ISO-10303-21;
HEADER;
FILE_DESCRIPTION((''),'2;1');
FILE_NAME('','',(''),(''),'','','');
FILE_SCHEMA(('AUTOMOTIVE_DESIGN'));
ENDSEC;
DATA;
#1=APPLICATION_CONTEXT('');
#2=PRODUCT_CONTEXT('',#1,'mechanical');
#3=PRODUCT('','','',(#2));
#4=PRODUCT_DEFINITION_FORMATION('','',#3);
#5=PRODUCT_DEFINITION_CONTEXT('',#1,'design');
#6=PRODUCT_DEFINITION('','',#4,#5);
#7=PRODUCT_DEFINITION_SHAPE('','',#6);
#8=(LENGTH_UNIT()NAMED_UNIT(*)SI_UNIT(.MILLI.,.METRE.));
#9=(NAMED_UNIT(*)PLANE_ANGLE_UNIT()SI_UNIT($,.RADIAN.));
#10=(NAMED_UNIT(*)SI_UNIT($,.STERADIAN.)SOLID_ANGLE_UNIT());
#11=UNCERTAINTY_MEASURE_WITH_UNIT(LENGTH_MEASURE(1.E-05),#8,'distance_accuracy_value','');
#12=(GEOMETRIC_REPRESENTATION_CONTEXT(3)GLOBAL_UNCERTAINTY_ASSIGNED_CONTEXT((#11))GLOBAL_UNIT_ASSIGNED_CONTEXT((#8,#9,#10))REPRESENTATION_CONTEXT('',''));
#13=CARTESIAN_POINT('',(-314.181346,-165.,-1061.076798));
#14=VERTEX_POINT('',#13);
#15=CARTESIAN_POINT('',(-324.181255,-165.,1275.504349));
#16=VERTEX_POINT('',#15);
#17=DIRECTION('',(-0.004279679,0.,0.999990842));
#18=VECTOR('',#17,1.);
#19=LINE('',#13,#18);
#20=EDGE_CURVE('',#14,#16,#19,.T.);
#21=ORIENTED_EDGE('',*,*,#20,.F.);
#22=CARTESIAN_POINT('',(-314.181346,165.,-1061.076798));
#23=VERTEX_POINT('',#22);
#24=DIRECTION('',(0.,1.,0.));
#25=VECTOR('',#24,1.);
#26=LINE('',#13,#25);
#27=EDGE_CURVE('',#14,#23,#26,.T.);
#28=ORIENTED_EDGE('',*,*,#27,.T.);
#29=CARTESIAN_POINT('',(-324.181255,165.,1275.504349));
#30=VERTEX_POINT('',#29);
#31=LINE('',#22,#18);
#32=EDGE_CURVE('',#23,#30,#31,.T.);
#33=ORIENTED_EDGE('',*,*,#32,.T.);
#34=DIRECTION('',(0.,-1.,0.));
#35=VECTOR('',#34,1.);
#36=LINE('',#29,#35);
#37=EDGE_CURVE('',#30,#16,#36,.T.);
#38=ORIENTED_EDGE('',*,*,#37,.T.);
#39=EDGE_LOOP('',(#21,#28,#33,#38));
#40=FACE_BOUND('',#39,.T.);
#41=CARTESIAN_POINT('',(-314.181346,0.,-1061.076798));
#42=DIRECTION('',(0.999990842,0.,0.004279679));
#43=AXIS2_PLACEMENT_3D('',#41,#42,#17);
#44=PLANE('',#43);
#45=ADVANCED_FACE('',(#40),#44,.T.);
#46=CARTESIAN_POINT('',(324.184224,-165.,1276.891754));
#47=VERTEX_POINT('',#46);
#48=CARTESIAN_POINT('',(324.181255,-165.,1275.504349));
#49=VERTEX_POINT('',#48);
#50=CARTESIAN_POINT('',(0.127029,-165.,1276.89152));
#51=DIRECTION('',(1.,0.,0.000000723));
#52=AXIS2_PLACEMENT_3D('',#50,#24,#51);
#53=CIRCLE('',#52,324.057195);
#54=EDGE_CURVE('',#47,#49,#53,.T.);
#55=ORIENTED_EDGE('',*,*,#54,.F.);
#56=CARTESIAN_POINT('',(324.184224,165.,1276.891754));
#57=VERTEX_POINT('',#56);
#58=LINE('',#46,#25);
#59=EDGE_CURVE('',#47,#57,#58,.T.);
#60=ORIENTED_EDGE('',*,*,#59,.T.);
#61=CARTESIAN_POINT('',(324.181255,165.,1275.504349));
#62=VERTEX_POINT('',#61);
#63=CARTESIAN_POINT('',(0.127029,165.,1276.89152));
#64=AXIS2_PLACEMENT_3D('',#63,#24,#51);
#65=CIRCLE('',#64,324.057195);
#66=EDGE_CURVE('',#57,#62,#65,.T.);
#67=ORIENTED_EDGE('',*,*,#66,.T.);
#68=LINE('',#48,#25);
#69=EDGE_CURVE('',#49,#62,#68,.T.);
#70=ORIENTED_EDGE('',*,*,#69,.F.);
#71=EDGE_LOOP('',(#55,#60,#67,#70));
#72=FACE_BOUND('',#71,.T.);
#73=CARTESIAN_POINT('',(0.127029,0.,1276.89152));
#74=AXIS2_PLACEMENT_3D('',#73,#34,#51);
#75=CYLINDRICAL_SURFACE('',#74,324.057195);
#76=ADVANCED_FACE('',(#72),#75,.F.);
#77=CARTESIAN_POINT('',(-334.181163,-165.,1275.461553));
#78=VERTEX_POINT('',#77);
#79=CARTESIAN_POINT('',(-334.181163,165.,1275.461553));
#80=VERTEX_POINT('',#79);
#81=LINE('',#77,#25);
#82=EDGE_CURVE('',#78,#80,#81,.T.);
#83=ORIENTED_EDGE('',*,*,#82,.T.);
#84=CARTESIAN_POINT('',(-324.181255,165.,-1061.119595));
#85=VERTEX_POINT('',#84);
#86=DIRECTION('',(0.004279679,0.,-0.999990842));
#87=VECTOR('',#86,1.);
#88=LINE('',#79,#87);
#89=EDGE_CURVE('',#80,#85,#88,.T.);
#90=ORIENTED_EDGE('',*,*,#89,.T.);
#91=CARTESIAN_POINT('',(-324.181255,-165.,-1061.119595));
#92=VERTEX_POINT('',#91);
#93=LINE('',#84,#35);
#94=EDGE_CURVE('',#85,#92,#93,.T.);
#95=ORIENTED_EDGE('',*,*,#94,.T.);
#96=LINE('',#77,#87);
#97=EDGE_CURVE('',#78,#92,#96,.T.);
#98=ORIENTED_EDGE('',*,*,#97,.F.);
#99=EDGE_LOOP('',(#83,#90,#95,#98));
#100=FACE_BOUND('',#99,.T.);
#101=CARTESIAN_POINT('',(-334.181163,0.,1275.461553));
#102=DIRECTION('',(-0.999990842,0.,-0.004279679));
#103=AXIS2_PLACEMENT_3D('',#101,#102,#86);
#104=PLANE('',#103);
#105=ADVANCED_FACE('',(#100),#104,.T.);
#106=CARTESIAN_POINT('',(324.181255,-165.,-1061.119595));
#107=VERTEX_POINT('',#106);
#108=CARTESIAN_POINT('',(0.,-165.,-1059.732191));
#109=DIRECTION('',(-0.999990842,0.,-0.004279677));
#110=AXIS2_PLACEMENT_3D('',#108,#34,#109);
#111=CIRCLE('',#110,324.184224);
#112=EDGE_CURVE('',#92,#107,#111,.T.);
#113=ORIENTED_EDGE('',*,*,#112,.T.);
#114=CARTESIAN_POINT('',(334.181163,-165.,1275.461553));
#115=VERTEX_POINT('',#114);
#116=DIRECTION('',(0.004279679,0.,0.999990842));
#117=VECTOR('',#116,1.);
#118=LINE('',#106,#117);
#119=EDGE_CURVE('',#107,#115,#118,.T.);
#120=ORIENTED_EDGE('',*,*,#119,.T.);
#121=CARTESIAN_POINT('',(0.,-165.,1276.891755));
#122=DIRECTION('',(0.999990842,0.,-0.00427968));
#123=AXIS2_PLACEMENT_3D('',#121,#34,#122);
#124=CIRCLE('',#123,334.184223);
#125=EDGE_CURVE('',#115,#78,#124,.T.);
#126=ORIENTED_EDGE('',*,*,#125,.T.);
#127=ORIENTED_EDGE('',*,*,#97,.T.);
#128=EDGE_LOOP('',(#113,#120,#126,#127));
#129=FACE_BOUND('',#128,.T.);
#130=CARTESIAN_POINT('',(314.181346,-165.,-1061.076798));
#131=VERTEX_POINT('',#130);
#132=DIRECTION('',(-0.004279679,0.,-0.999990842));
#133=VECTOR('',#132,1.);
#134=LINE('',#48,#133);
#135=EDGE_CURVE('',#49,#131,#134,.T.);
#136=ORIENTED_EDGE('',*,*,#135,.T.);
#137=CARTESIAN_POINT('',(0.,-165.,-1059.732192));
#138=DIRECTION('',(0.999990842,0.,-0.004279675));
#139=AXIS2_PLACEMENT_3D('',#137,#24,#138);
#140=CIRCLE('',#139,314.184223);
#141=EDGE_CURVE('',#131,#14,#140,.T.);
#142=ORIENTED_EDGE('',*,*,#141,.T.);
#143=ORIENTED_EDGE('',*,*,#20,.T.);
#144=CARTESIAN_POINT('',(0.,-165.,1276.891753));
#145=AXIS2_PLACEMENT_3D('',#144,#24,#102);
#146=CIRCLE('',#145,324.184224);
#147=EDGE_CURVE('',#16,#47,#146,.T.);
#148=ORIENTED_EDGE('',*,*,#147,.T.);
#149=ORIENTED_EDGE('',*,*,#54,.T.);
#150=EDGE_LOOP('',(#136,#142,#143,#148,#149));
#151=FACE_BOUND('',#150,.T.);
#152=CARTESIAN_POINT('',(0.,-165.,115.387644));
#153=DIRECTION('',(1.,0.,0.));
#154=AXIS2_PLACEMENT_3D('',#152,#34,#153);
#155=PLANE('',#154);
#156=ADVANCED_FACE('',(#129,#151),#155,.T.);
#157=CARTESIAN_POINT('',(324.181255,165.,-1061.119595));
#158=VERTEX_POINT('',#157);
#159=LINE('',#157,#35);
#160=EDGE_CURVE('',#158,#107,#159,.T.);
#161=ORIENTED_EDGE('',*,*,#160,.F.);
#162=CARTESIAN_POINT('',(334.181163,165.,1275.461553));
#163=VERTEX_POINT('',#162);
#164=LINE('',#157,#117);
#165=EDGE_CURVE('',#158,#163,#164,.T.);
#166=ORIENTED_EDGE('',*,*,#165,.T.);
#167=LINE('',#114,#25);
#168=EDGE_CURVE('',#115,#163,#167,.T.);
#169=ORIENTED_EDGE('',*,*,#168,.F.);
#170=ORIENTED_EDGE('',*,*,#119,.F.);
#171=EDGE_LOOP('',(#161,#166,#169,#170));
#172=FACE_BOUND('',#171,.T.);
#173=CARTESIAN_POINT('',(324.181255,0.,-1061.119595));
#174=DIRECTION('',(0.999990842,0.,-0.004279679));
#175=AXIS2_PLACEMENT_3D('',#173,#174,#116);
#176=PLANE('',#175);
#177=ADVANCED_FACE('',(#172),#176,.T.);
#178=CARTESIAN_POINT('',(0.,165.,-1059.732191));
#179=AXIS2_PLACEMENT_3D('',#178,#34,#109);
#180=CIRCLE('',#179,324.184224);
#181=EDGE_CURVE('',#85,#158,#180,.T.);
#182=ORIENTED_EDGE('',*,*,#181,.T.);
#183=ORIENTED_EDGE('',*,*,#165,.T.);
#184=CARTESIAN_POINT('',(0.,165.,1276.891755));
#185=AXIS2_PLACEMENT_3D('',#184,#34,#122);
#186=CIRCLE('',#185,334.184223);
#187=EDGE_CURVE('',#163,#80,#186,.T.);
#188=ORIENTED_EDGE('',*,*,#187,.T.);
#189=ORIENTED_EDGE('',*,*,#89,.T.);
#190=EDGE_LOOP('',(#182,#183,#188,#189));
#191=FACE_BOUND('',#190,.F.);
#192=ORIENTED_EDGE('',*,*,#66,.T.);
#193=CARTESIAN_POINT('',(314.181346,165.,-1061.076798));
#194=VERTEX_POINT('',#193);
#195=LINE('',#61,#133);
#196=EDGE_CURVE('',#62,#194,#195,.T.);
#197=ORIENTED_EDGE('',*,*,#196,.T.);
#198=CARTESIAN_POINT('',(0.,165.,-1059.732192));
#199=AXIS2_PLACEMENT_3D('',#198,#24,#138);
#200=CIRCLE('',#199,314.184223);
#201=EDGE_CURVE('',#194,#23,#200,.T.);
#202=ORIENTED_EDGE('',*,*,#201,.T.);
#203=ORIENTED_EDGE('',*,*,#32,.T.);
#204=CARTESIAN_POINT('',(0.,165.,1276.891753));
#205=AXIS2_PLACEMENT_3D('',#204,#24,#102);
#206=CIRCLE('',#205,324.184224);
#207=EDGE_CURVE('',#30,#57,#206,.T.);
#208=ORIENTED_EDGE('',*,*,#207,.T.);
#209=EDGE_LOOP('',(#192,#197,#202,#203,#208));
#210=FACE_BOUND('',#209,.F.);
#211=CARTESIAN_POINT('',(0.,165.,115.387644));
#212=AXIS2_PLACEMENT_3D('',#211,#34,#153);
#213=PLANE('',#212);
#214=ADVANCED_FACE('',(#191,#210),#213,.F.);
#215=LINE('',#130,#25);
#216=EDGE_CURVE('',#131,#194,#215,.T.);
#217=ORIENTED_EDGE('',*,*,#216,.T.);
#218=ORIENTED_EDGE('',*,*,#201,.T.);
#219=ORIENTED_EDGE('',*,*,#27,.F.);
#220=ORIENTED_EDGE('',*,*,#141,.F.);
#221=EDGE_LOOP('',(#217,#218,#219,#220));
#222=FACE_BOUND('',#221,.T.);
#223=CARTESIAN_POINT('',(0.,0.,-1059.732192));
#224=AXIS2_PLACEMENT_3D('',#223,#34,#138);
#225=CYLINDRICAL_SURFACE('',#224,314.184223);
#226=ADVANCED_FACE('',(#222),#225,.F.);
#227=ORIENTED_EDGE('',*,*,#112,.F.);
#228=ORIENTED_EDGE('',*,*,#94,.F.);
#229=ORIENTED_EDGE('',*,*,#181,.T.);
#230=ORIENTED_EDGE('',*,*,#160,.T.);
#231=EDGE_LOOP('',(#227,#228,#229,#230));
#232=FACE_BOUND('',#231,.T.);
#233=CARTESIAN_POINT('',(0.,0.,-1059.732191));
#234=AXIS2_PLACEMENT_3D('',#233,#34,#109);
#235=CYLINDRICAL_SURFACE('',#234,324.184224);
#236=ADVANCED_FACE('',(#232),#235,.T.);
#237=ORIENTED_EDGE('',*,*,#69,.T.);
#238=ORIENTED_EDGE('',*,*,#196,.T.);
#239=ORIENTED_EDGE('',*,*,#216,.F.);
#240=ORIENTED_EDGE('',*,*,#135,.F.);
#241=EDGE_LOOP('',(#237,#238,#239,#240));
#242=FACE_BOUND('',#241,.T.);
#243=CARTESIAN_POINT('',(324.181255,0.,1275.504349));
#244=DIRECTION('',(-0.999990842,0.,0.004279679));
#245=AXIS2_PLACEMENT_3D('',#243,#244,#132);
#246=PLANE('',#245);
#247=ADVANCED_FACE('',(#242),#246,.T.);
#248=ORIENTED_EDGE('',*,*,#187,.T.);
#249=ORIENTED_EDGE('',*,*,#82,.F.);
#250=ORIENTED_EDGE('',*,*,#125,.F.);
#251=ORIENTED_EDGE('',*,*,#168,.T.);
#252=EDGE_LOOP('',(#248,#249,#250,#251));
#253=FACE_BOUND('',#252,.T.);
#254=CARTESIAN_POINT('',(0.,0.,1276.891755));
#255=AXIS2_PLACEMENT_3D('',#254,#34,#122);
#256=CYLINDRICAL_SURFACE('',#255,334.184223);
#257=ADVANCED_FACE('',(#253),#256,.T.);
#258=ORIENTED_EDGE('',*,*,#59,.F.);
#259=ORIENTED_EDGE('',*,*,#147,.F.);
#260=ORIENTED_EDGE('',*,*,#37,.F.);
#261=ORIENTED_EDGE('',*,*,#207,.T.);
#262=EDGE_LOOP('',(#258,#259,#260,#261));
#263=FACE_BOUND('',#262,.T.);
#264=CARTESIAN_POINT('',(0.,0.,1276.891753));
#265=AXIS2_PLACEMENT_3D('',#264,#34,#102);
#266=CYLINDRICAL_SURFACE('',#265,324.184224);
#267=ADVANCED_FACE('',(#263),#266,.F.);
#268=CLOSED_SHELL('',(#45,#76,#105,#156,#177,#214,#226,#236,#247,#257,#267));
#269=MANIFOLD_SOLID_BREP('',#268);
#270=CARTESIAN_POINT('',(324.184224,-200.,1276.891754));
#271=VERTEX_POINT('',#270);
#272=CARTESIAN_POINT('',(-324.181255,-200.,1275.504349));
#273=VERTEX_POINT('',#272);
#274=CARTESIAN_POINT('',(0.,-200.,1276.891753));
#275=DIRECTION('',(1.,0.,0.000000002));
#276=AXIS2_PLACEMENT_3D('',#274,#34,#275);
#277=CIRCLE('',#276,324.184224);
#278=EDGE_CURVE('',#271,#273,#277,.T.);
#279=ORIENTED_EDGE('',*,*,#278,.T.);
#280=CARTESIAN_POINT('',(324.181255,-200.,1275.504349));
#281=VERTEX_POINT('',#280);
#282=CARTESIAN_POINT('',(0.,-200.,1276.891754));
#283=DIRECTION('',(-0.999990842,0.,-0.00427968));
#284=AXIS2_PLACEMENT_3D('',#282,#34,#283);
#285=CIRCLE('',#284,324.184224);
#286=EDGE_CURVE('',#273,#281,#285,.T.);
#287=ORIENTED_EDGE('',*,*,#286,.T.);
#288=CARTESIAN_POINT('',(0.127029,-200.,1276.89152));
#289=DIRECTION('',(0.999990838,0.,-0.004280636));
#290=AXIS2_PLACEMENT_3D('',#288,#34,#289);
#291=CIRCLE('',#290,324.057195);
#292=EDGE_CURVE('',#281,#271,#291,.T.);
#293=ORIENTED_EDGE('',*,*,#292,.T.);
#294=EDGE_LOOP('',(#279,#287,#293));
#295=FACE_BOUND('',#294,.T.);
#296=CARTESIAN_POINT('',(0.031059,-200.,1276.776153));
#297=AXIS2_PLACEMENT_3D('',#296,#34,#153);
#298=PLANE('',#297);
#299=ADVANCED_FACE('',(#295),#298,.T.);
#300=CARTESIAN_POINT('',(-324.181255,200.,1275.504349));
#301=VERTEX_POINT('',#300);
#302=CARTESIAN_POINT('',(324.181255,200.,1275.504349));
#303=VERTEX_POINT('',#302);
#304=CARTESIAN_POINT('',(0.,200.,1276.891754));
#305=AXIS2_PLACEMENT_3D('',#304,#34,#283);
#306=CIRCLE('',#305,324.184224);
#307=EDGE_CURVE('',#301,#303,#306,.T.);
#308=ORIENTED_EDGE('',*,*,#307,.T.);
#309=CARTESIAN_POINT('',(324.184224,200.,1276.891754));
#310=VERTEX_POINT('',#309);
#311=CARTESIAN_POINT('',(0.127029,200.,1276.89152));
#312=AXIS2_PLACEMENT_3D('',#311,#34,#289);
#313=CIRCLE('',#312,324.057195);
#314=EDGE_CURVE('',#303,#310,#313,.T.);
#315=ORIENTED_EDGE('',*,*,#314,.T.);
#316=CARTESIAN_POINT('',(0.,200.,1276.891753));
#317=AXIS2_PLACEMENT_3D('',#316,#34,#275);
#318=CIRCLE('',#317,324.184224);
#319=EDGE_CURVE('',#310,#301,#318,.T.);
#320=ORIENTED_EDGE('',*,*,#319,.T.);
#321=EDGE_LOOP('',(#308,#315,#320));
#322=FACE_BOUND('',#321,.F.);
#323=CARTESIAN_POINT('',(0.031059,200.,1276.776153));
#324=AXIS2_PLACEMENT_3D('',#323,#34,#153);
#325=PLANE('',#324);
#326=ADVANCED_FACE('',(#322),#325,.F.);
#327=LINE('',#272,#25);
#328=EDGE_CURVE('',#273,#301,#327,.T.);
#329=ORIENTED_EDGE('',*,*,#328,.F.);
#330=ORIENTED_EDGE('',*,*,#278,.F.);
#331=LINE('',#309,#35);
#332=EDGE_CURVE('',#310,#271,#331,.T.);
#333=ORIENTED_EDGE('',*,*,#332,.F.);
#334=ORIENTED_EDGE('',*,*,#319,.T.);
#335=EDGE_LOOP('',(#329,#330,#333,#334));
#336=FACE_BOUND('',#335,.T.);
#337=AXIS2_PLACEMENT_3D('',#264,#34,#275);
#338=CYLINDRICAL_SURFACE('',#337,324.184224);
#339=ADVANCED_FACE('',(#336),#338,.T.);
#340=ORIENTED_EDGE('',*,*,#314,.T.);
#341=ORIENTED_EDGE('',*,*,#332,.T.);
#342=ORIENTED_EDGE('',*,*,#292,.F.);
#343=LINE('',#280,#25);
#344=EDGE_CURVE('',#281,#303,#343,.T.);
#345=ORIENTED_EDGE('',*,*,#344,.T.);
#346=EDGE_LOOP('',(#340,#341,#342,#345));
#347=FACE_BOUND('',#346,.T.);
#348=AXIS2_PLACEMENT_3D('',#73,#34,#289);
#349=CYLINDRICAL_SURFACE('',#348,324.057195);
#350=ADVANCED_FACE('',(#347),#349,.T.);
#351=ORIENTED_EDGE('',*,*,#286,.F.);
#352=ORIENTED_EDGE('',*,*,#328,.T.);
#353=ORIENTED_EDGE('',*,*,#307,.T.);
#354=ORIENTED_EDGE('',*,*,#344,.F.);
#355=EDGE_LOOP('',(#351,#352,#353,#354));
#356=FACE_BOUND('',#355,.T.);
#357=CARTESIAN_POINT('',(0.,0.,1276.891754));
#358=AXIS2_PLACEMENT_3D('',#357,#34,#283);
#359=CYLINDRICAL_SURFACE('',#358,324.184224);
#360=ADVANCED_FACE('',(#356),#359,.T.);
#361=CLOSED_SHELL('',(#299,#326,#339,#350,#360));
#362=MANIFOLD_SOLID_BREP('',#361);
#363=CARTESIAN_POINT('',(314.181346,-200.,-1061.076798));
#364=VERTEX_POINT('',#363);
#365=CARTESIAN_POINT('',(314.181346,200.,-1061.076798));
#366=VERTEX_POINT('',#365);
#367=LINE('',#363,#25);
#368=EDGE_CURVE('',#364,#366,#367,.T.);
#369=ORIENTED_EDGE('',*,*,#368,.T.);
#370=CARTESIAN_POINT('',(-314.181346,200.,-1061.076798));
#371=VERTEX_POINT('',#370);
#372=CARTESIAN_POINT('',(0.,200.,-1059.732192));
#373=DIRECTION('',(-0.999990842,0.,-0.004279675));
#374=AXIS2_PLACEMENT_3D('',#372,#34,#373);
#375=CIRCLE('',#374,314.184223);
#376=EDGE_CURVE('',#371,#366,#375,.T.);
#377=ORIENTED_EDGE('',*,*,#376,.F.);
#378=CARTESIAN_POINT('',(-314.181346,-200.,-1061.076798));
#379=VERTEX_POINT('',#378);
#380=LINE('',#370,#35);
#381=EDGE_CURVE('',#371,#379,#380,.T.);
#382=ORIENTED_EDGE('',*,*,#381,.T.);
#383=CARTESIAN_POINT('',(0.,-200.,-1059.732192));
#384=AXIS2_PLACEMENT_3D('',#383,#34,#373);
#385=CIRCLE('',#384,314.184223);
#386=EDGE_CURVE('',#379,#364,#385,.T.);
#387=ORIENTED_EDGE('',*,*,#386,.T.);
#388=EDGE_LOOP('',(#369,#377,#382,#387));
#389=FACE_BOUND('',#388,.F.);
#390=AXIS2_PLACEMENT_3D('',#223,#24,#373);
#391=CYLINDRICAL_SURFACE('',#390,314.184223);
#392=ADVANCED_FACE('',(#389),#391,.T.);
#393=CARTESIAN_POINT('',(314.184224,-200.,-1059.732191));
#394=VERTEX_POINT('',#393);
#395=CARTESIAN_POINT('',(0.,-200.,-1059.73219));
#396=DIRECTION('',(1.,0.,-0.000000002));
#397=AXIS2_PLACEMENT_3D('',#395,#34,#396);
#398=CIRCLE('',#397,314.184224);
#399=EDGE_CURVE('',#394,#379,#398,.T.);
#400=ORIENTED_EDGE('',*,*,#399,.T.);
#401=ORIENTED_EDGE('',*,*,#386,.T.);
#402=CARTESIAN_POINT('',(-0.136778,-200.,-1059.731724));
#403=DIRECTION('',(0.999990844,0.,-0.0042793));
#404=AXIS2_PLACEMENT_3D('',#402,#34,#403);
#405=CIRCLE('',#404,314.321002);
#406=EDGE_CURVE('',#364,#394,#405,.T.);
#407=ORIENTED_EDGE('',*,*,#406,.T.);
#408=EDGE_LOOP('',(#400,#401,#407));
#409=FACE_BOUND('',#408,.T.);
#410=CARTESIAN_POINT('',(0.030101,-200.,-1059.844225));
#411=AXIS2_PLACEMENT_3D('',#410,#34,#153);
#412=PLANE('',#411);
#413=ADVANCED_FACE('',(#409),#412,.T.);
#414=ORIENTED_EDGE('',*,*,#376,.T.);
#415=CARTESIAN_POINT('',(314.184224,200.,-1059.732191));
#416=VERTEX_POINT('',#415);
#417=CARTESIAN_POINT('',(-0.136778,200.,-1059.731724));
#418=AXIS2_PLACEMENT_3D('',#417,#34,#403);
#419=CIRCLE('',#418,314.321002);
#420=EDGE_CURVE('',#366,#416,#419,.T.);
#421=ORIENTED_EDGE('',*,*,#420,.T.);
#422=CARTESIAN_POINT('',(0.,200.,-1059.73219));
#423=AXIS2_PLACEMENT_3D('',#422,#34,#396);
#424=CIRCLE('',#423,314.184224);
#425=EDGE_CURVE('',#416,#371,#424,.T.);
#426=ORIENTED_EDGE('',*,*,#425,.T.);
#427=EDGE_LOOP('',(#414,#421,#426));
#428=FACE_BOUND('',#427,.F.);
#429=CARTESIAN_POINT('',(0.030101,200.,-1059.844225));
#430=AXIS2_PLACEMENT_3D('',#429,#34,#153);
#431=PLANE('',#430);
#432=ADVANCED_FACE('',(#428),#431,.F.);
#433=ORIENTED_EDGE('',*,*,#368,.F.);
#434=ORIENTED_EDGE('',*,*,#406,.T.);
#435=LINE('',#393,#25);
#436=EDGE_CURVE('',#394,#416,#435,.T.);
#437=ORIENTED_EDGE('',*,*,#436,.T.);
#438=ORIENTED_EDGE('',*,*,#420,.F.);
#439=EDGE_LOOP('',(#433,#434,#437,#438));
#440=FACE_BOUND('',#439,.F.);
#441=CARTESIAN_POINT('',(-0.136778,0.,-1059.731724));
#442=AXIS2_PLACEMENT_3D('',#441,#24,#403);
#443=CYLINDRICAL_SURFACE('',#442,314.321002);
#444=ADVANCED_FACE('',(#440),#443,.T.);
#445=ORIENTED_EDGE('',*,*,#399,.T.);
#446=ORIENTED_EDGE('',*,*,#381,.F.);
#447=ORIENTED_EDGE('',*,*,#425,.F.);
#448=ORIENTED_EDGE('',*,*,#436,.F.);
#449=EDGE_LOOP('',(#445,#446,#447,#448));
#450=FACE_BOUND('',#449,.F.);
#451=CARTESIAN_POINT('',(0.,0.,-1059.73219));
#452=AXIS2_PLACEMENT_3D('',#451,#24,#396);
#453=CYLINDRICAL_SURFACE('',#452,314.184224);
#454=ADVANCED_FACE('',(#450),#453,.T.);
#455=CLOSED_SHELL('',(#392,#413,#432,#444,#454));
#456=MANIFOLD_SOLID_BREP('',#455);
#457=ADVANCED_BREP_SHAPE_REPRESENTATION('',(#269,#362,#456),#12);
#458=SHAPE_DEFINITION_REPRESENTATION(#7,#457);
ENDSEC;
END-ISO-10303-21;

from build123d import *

# Parameters (mm, degrees)
F1_DEPTH = 200
F2_DEPTH = 165


with BuildPart() as f1:
    # F0 (on Front) → F1 (new body, symmetric)
    with BuildSketch(Plane.XZ):
        with BuildLine():
            ThreePointArc((314.184224, -1059.732191), (-0.672305, -745.548686), (-314.181346, -1061.076798))
            ThreePointArc((-314.181346, -1061.076798), (0, -1373.916415), (314.181346, -1061.076798))
            ThreePointArc((314.181346, -1061.076798), (314.183504, -1060.404496), (314.184224, -1059.732191))
        make_face()
        with BuildLine():
            ThreePointArc((324.181255, 1275.504349), (324.183482, 1276.19805), (324.184224, 1276.891754))
            ThreePointArc((324.184224, 1276.891754), (-0.693704, 1601.075235), (-324.181255, 1275.504349))
            ThreePointArc((-324.181255, 1275.504349), (0, 952.70753), (324.181255, 1275.504349))
        make_face()
    extrude(amount=F1_DEPTH, both=True)


with BuildPart() as f2:
    # F0 (on Front) → F2 (new body, symmetric)
    with BuildSketch(Plane.XZ):
        with BuildLine():
            Line((-334.181163, 1275.461553), (-324.181255, -1061.119595))
            ThreePointArc((-324.181255, -1061.119595), (0, -1383.916415), (324.181255, -1061.119595))
            Line((324.181255, -1061.119595), (334.181163, 1275.461553))
            ThreePointArc((334.181163, 1275.461553), (0, 1611.075978), (-334.181163, 1275.461553))
        make_face()
        with BuildLine():
            ThreePointArc((-324.181255, 1275.504349), (-0.693704, 1601.075235), (324.184224, 1276.891754))
            ThreePointArc((324.184224, 1276.891754), (324.183482, 1276.19805), (324.181255, 1275.504349))
            Line((324.181255, 1275.504349), (314.181346, -1061.076798))
            ThreePointArc((314.181346, -1061.076798), (0, -1373.916415), (-314.181346, -1061.076798))
            Line((-314.181346, -1061.076798), (-324.181255, 1275.504349))
        make_face(mode=Mode.SUBTRACT)
    extrude(amount=F2_DEPTH, both=True)


solid = Compound([f1.part, f2.part])
